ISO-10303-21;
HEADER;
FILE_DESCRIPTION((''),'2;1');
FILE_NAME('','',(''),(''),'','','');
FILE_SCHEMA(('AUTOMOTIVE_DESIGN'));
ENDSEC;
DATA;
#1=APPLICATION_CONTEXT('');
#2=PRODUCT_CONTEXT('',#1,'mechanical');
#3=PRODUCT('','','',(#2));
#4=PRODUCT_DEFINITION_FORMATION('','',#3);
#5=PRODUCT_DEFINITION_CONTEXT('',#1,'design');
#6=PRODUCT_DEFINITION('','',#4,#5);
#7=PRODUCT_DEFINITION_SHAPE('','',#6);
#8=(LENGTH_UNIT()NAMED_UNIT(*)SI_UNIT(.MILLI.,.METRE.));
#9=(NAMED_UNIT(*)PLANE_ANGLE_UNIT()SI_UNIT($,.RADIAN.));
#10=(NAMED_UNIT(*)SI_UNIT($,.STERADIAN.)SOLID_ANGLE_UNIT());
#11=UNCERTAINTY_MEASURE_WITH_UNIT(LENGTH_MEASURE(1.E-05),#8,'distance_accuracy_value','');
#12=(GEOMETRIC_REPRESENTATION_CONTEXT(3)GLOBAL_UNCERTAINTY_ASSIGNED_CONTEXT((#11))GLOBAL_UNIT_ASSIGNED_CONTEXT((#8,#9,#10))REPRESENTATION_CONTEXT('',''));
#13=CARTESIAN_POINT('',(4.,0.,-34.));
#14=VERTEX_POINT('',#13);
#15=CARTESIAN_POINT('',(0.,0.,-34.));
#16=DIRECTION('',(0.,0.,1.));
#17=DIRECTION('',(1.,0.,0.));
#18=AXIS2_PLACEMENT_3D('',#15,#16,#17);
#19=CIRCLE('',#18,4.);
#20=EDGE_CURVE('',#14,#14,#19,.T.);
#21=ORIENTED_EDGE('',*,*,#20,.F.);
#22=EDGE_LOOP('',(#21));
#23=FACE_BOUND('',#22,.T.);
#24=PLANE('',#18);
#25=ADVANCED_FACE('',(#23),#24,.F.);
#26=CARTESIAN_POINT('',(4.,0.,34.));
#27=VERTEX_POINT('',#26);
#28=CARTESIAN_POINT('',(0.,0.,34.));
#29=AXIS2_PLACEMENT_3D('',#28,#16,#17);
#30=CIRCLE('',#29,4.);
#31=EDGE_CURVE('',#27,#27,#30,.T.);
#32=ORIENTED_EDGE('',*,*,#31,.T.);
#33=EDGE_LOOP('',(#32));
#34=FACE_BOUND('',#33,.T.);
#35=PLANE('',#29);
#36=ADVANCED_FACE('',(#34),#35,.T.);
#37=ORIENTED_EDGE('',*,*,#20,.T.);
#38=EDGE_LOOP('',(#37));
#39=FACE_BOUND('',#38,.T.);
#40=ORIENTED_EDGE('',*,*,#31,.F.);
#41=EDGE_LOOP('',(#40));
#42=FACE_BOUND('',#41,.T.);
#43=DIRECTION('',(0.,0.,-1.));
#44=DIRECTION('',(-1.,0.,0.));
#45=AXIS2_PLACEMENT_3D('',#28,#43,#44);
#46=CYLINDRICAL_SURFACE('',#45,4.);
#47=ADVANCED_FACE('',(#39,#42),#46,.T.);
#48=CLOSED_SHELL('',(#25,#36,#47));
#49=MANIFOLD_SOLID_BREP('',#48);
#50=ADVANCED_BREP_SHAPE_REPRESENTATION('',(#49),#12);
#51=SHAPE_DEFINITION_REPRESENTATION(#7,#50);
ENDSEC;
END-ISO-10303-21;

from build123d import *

# Parameters (mm, degrees)
SKETCH1_R           = 4
BOSS_EXTRUDE1_DEPTH = 34


with BuildPart() as part:
    # Sketch1 → Boss-Extrude1 (new, symmetric)
    with BuildSketch(Plane.XY):
        Circle(SKETCH1_R)
    extrude(amount=BOSS_EXTRUDE1_DEPTH, both=True)


solid = part.part
